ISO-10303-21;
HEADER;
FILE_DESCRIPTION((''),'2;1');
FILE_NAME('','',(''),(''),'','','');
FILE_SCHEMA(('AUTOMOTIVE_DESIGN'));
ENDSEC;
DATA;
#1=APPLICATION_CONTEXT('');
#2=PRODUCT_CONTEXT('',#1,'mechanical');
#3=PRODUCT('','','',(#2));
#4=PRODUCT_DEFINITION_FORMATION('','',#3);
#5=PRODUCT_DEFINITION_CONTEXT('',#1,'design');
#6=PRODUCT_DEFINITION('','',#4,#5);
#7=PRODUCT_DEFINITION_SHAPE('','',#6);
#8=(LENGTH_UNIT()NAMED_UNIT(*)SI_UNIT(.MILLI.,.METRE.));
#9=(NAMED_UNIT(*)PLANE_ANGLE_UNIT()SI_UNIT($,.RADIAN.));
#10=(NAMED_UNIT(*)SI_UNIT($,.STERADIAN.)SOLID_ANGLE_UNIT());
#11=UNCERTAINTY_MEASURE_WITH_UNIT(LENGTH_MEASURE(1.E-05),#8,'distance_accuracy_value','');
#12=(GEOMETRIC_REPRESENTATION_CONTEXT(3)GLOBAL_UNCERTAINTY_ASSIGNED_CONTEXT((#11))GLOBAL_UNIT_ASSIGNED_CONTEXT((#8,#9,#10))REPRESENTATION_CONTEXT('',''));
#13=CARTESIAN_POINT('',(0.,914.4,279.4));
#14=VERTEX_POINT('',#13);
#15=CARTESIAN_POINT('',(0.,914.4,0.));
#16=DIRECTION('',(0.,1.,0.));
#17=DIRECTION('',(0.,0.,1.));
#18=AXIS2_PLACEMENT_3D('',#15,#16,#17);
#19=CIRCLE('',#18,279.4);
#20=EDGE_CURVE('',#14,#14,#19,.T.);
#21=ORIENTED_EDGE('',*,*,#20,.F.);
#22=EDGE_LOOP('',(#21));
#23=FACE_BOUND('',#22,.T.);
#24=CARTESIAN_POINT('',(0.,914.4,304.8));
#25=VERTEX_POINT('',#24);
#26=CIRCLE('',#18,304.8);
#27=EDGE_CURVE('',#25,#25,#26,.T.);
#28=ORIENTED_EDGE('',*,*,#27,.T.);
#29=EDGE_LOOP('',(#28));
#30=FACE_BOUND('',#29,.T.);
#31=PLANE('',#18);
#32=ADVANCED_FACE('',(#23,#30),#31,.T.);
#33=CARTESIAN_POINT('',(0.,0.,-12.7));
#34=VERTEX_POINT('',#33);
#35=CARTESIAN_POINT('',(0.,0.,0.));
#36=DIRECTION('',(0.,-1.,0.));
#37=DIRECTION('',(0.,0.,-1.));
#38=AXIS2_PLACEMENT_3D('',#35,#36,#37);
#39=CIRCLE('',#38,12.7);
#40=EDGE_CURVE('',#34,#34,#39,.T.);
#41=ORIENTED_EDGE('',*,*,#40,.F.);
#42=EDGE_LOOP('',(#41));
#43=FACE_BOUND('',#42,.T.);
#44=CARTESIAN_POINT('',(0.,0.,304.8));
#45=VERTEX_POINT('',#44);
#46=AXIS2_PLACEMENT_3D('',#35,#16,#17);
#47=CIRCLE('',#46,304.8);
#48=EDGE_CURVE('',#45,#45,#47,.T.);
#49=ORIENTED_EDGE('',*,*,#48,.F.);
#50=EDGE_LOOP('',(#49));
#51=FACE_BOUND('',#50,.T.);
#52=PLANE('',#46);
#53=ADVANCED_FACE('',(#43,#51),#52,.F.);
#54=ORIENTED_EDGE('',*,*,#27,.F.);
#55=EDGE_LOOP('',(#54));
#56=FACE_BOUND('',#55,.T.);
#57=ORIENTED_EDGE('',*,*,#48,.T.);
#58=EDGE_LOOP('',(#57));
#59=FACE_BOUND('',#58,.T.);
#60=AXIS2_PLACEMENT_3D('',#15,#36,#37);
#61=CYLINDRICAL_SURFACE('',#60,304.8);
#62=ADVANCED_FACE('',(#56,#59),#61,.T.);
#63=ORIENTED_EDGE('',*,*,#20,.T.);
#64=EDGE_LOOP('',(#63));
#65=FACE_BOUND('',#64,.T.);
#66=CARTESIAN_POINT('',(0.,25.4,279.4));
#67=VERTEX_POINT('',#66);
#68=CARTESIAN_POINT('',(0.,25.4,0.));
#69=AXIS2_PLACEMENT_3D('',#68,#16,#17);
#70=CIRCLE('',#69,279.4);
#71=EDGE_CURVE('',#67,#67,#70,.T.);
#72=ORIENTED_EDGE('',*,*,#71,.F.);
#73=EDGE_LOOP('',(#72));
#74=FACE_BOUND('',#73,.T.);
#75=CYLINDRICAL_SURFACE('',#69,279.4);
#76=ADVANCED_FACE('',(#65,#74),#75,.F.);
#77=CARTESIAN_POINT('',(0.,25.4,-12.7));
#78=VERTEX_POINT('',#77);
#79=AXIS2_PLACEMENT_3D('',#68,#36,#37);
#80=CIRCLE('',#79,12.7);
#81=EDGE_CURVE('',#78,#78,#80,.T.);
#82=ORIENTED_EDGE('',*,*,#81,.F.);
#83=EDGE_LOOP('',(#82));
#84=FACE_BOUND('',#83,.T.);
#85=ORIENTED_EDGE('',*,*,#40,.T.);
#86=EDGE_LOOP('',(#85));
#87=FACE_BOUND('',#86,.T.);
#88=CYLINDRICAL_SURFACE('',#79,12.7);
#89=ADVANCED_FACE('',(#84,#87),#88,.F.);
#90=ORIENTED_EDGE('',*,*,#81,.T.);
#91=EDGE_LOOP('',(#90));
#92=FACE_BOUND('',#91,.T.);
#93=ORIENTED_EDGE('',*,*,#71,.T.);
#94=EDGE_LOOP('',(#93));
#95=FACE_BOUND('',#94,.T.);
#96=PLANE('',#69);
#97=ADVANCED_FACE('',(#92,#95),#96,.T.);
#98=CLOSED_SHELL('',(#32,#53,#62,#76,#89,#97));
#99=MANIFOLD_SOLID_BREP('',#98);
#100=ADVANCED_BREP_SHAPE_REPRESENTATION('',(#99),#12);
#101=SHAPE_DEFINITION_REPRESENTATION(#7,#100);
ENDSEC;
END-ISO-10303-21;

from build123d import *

# Parameters (mm, degrees)
SKETCH1_R           = 304.8
BOSS_EXTRUDE1_DEPTH = 914.4
SKETCH2_OUTSIDE_W   = 862.944
SKETCH2_OUTSIDE_H   = 862.944
SKETCH2_OUTSIDE_R   = 304.8
SKETCH2_OUTSIDE_R_2 = 279.4
CUT_EXTRUDE2_DEPTH  = 889
SKETCH3_R           = 12.7
CUT_EXTRUDE3_DEPTH  = 25.4


with BuildPart() as part:
    # Sketch1 → Boss-Extrude1 (new body)
    with BuildSketch(Plane(origin=(0, 0, 0), x_dir=(1, 0, 0), z_dir=(0, 1, 0))):
        Circle(SKETCH1_R)
    extrude(amount=BOSS_EXTRUDE1_DEPTH)

    # Sketch2 outside → Cut-Extrude2 (cut)
    with BuildSketch(Plane(origin=(0, 914.4, 0), x_dir=(1, 0, 0), z_dir=(0, 1, 0))):
        Rectangle(SKETCH2_OUTSIDE_W, SKETCH2_OUTSIDE_H)
        Circle(SKETCH2_OUTSIDE_R, mode=Mode.SUBTRACT)
        Circle(SKETCH2_OUTSIDE_R_2)
    extrude(amount=-CUT_EXTRUDE2_DEPTH, mode=Mode.SUBTRACT)

    # Sketch3 → Cut-Extrude3 (cut)
    with BuildSketch(Plane.XZ):
        Circle(SKETCH3_R)
    extrude(amount=-CUT_EXTRUDE3_DEPTH, mode=Mode.SUBTRACT)


solid = part.part
